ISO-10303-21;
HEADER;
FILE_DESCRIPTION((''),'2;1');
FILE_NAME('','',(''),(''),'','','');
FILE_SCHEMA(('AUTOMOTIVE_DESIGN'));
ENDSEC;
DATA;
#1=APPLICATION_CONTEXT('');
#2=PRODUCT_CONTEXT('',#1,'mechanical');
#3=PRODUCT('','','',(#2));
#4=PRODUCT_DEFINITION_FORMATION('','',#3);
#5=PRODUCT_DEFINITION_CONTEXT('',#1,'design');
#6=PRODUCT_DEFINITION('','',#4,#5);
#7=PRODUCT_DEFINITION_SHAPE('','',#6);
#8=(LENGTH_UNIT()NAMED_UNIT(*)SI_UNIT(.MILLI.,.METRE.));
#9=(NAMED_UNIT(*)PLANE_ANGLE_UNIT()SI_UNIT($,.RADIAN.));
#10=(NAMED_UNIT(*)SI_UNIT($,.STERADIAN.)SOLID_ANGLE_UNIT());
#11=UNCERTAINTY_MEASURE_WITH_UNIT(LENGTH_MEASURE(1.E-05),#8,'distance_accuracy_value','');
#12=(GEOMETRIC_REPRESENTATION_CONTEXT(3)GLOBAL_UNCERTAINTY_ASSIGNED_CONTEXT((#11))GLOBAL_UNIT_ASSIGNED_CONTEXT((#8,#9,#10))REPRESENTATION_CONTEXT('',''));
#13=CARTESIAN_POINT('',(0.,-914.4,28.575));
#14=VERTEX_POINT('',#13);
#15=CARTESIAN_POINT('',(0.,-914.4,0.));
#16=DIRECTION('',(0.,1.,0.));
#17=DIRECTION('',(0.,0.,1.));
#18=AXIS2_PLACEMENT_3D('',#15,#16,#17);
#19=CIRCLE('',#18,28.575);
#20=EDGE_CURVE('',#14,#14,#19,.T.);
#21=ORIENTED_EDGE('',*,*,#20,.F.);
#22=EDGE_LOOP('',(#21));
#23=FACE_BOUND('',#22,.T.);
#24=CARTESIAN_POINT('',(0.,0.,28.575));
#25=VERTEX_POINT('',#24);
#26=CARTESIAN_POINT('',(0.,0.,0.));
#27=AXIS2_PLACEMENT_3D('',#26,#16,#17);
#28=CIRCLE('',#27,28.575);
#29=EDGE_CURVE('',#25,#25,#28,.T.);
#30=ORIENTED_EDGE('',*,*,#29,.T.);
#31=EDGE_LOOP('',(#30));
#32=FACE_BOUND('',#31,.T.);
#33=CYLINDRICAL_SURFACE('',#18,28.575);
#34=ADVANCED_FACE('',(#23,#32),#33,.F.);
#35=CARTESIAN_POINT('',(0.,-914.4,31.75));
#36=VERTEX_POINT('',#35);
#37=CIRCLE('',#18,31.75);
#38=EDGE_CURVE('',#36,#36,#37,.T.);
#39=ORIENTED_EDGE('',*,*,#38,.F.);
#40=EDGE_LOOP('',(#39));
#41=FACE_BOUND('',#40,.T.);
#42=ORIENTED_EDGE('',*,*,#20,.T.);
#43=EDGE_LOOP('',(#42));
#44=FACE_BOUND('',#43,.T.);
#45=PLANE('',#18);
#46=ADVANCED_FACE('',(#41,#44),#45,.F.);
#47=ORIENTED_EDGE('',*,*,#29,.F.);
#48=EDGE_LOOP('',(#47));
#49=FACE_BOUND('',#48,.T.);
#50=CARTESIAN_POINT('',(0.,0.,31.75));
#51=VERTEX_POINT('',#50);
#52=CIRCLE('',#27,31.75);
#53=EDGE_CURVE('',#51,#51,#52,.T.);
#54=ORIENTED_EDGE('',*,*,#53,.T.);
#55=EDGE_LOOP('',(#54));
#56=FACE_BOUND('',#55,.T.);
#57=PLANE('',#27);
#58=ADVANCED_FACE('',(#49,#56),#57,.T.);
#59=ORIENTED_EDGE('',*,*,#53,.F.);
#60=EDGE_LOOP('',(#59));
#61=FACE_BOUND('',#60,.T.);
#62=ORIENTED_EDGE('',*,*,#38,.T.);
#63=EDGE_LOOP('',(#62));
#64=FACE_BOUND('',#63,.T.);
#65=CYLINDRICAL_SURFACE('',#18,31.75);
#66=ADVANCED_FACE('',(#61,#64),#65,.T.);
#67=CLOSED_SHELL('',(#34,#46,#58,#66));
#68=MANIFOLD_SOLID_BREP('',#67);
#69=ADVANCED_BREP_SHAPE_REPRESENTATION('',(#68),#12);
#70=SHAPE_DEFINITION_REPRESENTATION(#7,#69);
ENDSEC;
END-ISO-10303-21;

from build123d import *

# Parameters (mm, degrees)
SKETCH1_R           = 31.75
BOSS_EXTRUDE1_DEPTH = 914.4
SKETCH2_R           = 28.575
CUT_EXTRUDE1_DEPTH  = 916.501766792


with BuildPart() as part:
    # Sketch1 → Boss-Extrude1 (new body)
    with BuildSketch(Plane(origin=(0, 0, 0), x_dir=(1, 0, 0), z_dir=(0, 1, 0))):
        with Locations(Location((0, 0, 0), (0, 0, 270))):
            Circle(SKETCH1_R)
    extrude(amount=-BOSS_EXTRUDE1_DEPTH)

    # Sketch2 → Cut-Extrude1 (cut, through all)
    with BuildSketch(Plane(origin=(0, 0, 0), x_dir=(1, 0, 0), z_dir=(0, 1, 0))):
        with Locations(Location((0, 0, 0), (0, 0, 270))):
            Circle(SKETCH2_R)
    extrude(amount=-CUT_EXTRUDE1_DEPTH, mode=Mode.SUBTRACT)


solid = part.part
